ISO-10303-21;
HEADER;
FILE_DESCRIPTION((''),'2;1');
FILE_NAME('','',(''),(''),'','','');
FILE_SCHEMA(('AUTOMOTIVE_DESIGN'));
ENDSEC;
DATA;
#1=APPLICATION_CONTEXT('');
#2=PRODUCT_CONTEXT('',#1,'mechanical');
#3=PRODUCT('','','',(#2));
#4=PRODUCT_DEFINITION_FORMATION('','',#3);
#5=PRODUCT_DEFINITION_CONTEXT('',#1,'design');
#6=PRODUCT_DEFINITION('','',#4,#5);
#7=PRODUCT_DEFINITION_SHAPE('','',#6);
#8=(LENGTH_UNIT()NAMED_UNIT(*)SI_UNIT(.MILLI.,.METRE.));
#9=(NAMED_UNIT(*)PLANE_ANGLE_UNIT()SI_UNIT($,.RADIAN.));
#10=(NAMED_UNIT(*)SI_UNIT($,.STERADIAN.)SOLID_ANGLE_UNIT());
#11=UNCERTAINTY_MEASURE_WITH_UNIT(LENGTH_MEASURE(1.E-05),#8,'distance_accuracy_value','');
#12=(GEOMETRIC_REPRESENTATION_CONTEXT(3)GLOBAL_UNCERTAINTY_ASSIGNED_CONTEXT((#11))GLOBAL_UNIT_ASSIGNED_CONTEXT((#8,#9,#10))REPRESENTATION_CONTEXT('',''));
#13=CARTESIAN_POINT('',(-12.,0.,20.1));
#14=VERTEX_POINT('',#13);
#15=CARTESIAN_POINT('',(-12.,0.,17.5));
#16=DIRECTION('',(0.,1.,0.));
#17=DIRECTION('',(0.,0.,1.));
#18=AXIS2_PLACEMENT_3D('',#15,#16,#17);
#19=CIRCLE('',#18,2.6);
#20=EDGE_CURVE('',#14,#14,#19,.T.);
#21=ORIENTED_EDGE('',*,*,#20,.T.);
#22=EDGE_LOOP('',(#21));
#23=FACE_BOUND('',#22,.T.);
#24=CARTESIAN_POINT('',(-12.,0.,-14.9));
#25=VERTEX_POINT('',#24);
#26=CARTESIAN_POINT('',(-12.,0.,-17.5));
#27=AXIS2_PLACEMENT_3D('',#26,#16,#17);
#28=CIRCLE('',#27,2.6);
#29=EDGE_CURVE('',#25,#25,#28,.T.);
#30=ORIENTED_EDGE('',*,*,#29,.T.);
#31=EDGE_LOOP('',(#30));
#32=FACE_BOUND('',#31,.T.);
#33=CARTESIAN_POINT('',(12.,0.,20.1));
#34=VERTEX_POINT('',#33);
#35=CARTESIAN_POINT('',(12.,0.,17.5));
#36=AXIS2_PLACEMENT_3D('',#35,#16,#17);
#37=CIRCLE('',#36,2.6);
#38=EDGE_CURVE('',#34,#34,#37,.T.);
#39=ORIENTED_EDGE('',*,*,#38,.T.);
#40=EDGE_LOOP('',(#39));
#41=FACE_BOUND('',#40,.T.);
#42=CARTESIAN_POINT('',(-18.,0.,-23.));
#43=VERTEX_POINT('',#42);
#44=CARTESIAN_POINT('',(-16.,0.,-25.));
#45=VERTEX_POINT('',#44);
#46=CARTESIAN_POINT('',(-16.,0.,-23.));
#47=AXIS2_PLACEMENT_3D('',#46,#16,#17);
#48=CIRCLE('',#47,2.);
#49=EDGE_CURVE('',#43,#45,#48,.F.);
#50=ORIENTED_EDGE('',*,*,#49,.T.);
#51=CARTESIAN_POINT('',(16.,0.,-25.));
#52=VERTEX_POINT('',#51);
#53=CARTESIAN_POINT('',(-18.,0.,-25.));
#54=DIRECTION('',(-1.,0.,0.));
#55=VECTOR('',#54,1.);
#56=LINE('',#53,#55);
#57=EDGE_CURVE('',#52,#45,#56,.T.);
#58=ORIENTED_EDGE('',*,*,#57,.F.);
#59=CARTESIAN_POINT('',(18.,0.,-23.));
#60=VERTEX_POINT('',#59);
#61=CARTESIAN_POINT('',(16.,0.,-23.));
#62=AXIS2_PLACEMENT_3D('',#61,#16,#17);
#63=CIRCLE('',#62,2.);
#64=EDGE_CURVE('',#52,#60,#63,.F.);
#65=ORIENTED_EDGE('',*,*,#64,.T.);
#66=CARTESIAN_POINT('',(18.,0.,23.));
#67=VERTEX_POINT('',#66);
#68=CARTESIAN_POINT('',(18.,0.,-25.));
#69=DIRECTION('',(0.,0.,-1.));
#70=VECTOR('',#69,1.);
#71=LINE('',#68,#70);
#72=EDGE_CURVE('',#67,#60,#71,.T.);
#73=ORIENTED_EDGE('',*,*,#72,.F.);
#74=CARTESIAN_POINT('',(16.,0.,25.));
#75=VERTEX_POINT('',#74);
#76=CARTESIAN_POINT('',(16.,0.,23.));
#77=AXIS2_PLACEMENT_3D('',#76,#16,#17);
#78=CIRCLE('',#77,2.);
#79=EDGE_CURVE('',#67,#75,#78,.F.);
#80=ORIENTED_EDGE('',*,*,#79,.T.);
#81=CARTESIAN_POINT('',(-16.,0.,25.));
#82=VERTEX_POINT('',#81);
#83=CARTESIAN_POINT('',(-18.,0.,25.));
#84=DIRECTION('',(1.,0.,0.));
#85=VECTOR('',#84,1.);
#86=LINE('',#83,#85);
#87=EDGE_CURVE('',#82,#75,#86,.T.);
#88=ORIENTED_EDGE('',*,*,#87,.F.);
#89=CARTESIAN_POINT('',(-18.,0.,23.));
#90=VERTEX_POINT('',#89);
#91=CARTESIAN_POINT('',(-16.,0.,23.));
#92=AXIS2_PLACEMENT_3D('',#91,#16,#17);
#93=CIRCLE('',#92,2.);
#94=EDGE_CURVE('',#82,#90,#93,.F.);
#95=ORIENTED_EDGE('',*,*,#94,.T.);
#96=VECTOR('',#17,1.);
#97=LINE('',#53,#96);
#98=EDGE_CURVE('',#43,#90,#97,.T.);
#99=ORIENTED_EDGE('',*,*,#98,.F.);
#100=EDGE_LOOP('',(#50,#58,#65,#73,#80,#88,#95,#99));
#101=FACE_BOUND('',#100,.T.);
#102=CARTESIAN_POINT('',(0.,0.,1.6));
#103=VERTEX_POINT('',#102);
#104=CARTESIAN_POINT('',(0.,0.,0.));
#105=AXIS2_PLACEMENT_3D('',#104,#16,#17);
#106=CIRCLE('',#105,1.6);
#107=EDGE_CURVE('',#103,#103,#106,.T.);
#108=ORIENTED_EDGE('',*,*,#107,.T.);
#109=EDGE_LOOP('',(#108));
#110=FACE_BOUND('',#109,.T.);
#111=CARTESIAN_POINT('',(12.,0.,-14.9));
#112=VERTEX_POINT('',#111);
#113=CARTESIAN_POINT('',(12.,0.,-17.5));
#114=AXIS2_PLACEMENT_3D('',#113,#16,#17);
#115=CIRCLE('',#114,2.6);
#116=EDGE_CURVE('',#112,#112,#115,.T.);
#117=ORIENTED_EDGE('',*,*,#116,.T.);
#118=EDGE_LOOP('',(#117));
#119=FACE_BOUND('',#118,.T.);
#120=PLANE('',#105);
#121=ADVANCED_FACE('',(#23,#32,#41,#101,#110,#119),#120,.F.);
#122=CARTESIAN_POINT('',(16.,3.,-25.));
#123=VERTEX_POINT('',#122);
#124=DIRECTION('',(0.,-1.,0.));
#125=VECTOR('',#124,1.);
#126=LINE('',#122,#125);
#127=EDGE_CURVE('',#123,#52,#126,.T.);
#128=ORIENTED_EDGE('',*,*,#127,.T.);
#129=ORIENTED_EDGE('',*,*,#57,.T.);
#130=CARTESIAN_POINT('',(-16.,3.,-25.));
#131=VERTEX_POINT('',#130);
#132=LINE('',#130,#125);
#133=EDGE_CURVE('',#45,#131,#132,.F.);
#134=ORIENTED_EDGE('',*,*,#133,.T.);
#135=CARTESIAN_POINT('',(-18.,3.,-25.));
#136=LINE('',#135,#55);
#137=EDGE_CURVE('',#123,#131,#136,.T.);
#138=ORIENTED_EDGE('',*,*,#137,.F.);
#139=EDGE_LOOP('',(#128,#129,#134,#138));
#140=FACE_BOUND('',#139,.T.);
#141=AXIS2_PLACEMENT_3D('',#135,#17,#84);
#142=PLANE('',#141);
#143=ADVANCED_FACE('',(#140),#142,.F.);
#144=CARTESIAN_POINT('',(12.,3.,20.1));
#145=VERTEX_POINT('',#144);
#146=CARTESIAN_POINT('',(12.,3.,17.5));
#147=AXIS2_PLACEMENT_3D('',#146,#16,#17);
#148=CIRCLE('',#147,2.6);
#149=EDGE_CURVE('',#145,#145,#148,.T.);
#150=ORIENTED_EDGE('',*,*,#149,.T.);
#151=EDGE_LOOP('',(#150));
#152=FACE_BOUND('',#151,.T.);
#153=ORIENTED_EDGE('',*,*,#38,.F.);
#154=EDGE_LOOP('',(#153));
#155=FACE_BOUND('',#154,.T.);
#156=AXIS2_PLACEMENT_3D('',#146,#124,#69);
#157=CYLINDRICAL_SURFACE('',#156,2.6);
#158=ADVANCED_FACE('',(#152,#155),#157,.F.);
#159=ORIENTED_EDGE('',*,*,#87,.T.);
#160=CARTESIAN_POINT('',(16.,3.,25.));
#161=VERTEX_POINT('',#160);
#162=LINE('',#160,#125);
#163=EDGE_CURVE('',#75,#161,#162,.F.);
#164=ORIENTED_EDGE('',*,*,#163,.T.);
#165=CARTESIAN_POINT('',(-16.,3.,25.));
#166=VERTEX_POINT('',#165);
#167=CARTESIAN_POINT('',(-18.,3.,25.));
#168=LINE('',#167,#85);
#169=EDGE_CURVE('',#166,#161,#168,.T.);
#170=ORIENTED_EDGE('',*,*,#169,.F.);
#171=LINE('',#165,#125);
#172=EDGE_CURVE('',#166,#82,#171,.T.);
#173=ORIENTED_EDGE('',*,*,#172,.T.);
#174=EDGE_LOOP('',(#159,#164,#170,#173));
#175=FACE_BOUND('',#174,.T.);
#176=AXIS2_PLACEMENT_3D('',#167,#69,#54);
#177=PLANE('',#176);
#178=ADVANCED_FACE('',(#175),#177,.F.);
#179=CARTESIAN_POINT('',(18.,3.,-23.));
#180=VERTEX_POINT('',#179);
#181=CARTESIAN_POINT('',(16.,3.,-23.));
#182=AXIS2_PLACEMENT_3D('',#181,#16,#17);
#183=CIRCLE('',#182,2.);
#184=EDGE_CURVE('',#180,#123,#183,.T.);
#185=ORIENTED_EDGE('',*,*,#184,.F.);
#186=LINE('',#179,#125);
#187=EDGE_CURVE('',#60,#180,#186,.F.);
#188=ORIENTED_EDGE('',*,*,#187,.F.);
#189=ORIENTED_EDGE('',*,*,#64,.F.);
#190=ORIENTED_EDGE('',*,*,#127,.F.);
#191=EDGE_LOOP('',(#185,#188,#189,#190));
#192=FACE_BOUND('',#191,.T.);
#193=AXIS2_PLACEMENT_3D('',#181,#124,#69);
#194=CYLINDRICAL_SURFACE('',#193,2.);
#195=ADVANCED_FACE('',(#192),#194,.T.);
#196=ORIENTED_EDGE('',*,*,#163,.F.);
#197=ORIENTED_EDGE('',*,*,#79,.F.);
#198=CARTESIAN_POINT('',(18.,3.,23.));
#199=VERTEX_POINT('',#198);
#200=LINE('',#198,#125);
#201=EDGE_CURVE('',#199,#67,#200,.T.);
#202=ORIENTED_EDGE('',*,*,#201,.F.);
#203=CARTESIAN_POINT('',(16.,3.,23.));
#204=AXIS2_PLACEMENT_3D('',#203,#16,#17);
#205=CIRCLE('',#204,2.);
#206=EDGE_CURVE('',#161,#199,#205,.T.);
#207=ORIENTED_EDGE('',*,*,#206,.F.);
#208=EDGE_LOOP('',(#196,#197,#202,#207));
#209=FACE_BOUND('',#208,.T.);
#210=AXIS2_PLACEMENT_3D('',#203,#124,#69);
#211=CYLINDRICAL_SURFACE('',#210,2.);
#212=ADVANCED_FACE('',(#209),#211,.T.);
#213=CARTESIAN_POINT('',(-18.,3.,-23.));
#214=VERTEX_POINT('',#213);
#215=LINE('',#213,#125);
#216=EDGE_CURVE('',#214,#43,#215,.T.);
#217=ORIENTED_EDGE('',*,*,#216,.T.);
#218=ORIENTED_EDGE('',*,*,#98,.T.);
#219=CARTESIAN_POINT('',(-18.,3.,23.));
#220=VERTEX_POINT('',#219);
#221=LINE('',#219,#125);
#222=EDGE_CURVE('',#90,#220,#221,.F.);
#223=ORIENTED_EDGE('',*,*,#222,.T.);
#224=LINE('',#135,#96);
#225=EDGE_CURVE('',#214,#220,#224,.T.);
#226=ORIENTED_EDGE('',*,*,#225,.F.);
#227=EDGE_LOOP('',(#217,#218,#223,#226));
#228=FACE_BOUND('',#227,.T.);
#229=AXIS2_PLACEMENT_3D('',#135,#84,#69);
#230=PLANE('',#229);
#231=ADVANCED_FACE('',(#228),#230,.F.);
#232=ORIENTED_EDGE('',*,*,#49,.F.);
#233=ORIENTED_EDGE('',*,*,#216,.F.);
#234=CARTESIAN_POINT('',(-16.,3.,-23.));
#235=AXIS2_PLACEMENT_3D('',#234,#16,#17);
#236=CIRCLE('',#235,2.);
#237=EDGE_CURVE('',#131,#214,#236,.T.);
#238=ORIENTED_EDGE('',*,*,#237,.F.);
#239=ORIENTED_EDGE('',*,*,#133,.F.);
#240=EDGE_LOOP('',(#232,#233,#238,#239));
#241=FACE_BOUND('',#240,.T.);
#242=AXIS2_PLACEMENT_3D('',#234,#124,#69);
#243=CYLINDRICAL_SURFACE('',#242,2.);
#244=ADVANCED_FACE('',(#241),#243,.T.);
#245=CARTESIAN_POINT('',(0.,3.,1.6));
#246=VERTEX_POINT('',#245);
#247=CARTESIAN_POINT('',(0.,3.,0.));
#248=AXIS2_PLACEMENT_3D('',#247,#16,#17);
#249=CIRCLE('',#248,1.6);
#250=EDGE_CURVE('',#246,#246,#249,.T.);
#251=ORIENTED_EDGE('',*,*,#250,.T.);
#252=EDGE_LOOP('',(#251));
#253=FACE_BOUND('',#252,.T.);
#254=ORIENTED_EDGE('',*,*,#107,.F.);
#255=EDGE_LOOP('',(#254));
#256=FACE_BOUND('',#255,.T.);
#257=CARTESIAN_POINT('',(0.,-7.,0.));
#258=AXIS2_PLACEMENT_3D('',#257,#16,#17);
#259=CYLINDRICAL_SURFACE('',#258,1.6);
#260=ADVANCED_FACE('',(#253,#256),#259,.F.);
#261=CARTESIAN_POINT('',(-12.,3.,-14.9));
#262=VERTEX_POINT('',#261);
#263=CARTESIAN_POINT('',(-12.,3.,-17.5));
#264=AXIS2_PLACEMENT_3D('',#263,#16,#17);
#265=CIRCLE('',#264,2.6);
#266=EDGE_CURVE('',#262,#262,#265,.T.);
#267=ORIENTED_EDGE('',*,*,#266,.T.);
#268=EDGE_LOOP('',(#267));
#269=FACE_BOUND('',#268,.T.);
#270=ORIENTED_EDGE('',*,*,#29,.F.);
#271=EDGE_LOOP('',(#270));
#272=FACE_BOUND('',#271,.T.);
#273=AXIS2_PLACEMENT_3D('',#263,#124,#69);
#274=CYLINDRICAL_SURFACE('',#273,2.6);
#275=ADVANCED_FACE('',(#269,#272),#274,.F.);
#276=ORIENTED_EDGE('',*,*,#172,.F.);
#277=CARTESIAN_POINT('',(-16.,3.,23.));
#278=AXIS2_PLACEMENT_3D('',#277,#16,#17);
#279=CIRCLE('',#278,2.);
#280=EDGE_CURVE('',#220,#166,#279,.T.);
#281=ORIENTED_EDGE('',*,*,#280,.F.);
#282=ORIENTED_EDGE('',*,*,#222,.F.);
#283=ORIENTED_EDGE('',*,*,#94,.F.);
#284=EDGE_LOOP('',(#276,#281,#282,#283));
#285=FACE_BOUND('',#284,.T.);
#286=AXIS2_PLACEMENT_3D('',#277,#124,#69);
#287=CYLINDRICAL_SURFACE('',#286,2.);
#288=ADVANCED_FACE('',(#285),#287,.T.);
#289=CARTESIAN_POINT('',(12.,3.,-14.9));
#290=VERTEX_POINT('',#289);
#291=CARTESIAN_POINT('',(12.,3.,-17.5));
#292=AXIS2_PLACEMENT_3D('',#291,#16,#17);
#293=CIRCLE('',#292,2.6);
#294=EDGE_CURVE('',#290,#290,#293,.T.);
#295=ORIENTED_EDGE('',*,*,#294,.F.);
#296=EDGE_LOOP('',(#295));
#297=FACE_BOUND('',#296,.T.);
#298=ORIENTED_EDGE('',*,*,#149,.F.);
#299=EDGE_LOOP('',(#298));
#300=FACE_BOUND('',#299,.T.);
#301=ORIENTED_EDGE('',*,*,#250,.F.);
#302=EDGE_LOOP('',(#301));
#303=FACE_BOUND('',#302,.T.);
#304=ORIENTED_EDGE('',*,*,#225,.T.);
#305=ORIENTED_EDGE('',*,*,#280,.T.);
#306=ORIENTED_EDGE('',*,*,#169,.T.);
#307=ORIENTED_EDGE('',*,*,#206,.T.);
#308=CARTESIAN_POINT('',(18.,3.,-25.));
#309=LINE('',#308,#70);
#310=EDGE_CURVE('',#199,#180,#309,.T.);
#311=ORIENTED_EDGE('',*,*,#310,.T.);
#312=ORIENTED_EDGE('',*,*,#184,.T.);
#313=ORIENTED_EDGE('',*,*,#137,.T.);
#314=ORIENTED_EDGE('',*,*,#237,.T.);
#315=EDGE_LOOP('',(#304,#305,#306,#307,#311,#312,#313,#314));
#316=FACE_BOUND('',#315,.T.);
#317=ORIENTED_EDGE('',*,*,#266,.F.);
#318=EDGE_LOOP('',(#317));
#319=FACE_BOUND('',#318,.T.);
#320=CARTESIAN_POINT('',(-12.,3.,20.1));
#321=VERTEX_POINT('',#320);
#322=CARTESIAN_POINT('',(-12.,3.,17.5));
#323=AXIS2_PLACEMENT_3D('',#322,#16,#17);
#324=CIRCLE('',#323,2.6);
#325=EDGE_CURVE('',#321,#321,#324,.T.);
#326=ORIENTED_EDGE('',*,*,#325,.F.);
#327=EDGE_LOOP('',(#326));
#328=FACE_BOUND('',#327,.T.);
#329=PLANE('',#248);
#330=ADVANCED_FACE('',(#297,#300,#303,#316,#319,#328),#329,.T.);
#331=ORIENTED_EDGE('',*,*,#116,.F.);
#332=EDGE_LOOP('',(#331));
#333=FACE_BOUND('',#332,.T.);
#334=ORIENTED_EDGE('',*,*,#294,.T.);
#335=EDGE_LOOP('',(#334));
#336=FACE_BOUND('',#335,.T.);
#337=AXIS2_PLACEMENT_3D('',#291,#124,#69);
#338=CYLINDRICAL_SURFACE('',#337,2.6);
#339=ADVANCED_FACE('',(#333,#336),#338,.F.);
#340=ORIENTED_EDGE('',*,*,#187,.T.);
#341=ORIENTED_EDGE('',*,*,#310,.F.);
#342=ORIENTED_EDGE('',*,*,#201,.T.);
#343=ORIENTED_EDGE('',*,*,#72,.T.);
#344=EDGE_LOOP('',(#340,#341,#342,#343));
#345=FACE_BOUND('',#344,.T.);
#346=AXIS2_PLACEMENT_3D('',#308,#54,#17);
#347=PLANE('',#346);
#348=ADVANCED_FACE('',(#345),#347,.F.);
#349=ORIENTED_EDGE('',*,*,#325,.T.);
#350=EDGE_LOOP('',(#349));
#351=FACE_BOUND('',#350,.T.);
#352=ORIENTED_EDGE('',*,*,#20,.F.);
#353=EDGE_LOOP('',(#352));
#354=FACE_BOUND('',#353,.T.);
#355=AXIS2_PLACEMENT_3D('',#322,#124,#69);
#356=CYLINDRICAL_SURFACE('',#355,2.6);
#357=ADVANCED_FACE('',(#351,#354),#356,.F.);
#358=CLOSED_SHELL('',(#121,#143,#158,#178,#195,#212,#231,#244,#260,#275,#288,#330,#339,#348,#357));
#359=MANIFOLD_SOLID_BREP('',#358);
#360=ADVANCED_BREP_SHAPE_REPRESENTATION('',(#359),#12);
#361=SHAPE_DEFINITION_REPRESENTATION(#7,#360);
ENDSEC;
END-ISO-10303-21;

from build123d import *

# Parameters (mm, degrees)
SKETCH_1_W          = 36
SKETCH_1_H          = 50
SKETCH_1_R          = 2.6
EXTRUDE_1_DEPTH     = 3
FILLET_1_R          = 2
SKETCH_6_R          = 1.6
CUT_EXTRUDE_5_DEPTH = 10


with BuildPart() as part:
    # 草图1 → 凸台-拉伸1 (new body)
    with BuildSketch(Plane(origin=(0, 0, 0), x_dir=(1, 0, 0), z_dir=(0, 1, 0))):
        Rectangle(SKETCH_1_W, SKETCH_1_H)
        with Locations((-12, 17.5)):
            Circle(SKETCH_1_R, mode=Mode.SUBTRACT)
        with Locations((12, 17.5)):
            Circle(SKETCH_1_R, mode=Mode.SUBTRACT)
        with Locations((-12, -17.5)):
            Circle(SKETCH_1_R, mode=Mode.SUBTRACT)
        with Locations((12, -17.5)):
            Circle(SKETCH_1_R, mode=Mode.SUBTRACT)
    extrude(amount=EXTRUDE_1_DEPTH)

    # 圆角1
    fillet_1_edges = [part.edges().sort_by_distance(p)[0] for p in [
        (18, 1.5, 25),
        (-18, 1.5, 25),
        (-18, 1.5, -25),
        (18, 1.5, -25),
    ]]
    fillet(fillet_1_edges, radius=FILLET_1_R)

    # 草图6 → 切除-拉伸5 (cut)
    with BuildSketch(Plane(origin=(0, 3, 0), x_dir=(1, 0, 0), z_dir=(0, 1, 0))):
        Circle(SKETCH_6_R)
    extrude(amount=-CUT_EXTRUDE_5_DEPTH, mode=Mode.SUBTRACT)


solid = part.part
